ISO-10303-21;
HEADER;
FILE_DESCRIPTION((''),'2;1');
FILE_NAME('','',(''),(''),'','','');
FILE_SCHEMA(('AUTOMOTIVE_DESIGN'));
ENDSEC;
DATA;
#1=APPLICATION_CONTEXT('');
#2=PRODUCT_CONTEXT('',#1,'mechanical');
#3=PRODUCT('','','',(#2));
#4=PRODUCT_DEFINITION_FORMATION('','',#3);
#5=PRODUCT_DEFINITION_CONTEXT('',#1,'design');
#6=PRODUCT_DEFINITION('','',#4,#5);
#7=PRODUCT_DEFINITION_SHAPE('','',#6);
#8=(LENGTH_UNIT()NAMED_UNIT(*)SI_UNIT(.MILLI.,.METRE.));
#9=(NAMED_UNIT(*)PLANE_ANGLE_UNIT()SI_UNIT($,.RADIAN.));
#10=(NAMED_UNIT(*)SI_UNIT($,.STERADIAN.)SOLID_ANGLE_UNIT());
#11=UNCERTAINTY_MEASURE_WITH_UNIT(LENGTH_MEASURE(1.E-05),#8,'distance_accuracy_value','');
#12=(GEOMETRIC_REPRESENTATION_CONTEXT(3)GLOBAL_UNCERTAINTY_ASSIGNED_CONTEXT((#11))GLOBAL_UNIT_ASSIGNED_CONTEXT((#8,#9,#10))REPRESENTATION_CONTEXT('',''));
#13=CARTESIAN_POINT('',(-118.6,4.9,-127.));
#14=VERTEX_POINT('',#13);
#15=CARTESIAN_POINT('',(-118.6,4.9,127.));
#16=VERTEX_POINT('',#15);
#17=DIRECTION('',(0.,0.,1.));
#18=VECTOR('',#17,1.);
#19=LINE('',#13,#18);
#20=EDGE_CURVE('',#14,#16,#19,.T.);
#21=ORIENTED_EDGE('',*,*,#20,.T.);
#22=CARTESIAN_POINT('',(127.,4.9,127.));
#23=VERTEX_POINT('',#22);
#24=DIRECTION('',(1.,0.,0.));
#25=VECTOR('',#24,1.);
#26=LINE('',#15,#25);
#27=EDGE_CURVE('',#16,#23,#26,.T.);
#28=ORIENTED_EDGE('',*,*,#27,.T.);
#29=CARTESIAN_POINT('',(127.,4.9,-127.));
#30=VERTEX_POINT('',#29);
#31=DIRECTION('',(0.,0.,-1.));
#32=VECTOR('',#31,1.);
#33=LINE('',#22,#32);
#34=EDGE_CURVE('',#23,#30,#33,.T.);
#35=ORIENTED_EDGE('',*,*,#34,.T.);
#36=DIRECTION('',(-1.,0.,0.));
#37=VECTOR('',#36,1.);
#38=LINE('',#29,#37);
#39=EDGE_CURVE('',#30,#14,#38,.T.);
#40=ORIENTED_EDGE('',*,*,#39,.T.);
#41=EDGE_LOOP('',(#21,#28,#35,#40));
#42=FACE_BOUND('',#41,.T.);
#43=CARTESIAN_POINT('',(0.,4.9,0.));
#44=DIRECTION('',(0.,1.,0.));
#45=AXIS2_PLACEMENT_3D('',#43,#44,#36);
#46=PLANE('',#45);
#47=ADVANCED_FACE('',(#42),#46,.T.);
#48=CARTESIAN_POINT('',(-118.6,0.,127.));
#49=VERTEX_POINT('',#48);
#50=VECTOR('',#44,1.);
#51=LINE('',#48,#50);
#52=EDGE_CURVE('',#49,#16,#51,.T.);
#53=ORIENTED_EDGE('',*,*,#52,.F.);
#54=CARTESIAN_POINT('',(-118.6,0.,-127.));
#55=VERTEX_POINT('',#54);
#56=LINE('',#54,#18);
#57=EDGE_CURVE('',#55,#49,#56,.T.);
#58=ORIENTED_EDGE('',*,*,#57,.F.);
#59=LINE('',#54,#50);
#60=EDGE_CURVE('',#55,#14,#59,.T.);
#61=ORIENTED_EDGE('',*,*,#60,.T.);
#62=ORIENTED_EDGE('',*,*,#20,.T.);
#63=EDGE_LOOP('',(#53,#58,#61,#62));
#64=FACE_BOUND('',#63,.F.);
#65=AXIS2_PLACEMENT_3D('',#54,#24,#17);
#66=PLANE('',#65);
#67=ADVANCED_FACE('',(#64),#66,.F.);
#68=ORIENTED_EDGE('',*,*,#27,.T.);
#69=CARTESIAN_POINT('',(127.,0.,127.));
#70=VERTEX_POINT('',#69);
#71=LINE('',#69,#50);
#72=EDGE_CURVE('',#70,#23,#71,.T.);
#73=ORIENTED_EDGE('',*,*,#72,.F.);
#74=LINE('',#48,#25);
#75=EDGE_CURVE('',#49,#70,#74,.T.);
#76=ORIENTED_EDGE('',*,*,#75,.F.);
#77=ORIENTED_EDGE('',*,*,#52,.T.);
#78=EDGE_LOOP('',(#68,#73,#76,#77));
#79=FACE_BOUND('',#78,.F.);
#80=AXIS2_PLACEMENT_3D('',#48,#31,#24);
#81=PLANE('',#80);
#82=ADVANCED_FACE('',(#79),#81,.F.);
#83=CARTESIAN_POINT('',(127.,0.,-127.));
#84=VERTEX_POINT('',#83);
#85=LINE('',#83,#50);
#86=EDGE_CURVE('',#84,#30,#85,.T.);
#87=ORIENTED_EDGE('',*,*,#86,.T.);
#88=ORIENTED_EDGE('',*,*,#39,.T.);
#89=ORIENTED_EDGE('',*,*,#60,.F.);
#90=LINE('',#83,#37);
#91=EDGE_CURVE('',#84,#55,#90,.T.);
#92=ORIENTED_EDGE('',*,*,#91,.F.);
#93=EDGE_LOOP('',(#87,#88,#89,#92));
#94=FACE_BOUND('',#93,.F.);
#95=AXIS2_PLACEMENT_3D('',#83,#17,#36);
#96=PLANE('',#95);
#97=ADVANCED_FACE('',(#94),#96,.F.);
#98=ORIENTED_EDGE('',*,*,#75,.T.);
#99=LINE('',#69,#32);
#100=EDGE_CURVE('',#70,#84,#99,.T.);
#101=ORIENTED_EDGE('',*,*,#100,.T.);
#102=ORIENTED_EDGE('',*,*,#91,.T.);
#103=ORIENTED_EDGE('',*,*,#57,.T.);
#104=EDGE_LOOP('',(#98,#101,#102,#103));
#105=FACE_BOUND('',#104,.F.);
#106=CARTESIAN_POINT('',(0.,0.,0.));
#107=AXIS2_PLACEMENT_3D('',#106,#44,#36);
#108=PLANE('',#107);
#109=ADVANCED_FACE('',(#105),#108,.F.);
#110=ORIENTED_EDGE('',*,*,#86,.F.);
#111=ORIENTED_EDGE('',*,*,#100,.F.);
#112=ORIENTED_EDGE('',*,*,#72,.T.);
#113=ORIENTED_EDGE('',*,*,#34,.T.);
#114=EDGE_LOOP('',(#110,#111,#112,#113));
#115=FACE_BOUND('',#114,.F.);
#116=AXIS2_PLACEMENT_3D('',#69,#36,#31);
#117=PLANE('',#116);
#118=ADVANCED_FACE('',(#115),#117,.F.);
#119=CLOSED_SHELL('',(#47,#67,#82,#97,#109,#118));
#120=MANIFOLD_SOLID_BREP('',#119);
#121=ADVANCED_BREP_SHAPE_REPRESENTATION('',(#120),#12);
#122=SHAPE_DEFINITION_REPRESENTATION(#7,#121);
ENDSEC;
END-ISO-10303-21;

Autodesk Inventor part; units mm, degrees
ref_plane "YZ Plane" through (0, 0, 0) normal (1, 0, 0) x (0, 1, 0)
ref_plane "XZ Plane" through (0, 0, 0) normal (0, 1, 0) x (-1, 0, 0)
ref_plane "XY Plane" through (0, 0, 0) normal (0, 0, 1) x (1, 0, 0)
sketch "Sketch1" plane through (0, 0, 0) normal (0, 1, 0) x (-1, 0, 0)
  line L0 (118.6, 127) -> (-127, 127)
  line L1 (-127, 127) -> (-127, -127)
  line L2 (-127, -127) -> (118.6, -127)
  line L3 (118.6, -127) -> (118.6, 127)
  point P0 (0, 0)
  dimension "d0" = 245.6
  dimension "d1" = 254
extrude "Extrusion1" add sketch "Sketch1" along normal blind 4.9
properties part number "lid thin"
